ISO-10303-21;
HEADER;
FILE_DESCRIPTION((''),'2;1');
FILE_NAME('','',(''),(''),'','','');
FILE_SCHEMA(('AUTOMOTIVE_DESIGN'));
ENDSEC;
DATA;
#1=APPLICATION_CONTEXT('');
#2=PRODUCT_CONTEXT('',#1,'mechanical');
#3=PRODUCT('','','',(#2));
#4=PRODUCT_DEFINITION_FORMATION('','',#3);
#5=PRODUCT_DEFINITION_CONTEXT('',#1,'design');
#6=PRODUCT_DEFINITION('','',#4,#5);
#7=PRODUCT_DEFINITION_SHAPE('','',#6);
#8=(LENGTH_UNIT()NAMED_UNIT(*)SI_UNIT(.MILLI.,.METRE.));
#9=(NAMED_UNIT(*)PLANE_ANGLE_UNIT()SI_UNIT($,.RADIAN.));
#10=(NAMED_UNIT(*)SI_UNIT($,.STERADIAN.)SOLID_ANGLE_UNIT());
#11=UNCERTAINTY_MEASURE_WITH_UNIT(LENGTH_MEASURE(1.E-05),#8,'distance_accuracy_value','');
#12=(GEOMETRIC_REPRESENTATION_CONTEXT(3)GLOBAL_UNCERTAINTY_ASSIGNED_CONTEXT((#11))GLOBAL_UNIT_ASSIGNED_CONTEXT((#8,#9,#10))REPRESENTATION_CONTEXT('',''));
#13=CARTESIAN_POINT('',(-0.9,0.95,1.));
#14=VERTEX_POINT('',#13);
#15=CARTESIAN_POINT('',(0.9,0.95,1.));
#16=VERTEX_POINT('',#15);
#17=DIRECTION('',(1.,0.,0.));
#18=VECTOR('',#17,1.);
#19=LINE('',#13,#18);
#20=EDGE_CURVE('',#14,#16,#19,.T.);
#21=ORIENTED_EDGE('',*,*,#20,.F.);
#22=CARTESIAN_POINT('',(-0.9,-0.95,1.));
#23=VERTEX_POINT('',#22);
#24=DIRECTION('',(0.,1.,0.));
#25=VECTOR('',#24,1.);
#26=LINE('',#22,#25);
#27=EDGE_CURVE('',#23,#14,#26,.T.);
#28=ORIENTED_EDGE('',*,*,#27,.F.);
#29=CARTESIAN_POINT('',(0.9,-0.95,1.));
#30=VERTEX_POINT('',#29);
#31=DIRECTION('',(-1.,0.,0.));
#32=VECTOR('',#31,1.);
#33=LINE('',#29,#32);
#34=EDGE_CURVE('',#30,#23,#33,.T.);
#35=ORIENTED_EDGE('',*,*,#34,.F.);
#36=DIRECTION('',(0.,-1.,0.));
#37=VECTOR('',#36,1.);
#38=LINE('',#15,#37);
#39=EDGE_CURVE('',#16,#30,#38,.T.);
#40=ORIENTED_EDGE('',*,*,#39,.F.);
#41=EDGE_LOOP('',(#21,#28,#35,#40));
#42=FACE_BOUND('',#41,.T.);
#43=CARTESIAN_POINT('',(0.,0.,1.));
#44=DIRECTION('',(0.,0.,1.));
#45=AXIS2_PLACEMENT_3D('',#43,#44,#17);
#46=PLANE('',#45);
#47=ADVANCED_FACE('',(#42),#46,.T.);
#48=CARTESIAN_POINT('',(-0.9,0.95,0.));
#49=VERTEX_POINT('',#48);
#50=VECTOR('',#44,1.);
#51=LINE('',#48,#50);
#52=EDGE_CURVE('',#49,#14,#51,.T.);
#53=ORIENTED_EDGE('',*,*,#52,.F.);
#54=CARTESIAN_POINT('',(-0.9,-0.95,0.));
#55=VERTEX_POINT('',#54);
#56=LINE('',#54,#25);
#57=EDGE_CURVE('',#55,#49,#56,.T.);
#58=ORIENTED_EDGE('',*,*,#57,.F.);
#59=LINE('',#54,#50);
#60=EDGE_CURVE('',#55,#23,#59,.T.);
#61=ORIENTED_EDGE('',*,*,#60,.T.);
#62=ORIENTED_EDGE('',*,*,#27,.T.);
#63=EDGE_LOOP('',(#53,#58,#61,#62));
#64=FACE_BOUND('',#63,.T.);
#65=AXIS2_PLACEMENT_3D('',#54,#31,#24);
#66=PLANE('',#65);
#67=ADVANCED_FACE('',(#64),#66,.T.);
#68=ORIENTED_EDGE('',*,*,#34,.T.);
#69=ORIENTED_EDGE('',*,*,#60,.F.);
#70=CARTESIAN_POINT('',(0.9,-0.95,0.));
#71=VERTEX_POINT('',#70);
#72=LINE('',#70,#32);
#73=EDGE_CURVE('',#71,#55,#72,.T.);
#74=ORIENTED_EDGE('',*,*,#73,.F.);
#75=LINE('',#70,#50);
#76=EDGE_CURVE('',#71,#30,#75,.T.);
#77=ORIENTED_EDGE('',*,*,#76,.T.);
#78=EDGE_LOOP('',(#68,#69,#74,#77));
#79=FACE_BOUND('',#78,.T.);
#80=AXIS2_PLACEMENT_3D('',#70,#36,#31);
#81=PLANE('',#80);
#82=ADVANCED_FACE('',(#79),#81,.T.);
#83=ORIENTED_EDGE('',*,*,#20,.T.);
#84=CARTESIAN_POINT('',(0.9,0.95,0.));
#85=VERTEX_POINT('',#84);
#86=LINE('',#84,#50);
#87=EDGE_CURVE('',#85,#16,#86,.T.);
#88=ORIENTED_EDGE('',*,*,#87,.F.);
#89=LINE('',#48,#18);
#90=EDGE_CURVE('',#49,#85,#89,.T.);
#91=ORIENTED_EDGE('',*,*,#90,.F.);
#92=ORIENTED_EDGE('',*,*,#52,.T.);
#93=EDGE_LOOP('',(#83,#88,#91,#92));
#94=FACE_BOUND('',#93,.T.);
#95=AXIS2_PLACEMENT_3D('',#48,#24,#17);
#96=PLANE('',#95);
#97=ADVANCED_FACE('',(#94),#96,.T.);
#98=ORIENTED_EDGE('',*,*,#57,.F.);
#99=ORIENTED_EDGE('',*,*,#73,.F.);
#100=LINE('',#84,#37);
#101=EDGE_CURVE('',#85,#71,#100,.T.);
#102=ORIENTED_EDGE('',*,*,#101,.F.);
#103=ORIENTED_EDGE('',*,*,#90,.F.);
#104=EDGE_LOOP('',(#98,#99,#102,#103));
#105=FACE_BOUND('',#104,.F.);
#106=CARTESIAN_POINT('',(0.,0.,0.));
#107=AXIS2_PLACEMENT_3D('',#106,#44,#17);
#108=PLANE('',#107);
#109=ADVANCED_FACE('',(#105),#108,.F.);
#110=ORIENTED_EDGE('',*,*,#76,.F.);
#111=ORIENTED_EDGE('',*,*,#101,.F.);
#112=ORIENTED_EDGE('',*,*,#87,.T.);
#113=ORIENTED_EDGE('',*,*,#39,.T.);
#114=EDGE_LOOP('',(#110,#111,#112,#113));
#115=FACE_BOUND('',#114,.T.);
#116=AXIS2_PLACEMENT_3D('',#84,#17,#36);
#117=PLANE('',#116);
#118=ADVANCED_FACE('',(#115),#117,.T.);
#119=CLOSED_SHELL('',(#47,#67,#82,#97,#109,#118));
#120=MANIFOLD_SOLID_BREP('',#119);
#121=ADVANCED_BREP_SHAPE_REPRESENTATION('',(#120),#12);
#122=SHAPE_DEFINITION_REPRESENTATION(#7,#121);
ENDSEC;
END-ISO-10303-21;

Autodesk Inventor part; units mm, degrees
ref_plane "YZ Plane" through (0, 0, 0) normal (1, 0, 0) x (0, 1, 0)
ref_plane "XZ Plane" through (0, 0, 0) normal (0, 1, 0) x (-1, 0, 0)
ref_plane "XY Plane" through (0, 0, 0) normal (0, 0, 1) x (1, 0, 0)
sketch "TPD2E001-DRL, TPD2E001DRLR_175" plane through (0, 0, 0) normal (0, 0, 1) x (1, 0, 0)
  line L0 (-0.9, 0.95) -> (0.9, 0.95)
  line L1 (0.9, 0.95) -> (0.9, -0.95)
  line L2 (0.9, -0.95) -> (-0.9, -0.95)
  line L3 (-0.9, -0.95) -> (-0.9, 0.95)
extrude "Extrusion1" add sketch "TPD2E001-DRL, TPD2E001DRLR_175" along normal blind 1
properties part number "TPD2E001DRLR"
